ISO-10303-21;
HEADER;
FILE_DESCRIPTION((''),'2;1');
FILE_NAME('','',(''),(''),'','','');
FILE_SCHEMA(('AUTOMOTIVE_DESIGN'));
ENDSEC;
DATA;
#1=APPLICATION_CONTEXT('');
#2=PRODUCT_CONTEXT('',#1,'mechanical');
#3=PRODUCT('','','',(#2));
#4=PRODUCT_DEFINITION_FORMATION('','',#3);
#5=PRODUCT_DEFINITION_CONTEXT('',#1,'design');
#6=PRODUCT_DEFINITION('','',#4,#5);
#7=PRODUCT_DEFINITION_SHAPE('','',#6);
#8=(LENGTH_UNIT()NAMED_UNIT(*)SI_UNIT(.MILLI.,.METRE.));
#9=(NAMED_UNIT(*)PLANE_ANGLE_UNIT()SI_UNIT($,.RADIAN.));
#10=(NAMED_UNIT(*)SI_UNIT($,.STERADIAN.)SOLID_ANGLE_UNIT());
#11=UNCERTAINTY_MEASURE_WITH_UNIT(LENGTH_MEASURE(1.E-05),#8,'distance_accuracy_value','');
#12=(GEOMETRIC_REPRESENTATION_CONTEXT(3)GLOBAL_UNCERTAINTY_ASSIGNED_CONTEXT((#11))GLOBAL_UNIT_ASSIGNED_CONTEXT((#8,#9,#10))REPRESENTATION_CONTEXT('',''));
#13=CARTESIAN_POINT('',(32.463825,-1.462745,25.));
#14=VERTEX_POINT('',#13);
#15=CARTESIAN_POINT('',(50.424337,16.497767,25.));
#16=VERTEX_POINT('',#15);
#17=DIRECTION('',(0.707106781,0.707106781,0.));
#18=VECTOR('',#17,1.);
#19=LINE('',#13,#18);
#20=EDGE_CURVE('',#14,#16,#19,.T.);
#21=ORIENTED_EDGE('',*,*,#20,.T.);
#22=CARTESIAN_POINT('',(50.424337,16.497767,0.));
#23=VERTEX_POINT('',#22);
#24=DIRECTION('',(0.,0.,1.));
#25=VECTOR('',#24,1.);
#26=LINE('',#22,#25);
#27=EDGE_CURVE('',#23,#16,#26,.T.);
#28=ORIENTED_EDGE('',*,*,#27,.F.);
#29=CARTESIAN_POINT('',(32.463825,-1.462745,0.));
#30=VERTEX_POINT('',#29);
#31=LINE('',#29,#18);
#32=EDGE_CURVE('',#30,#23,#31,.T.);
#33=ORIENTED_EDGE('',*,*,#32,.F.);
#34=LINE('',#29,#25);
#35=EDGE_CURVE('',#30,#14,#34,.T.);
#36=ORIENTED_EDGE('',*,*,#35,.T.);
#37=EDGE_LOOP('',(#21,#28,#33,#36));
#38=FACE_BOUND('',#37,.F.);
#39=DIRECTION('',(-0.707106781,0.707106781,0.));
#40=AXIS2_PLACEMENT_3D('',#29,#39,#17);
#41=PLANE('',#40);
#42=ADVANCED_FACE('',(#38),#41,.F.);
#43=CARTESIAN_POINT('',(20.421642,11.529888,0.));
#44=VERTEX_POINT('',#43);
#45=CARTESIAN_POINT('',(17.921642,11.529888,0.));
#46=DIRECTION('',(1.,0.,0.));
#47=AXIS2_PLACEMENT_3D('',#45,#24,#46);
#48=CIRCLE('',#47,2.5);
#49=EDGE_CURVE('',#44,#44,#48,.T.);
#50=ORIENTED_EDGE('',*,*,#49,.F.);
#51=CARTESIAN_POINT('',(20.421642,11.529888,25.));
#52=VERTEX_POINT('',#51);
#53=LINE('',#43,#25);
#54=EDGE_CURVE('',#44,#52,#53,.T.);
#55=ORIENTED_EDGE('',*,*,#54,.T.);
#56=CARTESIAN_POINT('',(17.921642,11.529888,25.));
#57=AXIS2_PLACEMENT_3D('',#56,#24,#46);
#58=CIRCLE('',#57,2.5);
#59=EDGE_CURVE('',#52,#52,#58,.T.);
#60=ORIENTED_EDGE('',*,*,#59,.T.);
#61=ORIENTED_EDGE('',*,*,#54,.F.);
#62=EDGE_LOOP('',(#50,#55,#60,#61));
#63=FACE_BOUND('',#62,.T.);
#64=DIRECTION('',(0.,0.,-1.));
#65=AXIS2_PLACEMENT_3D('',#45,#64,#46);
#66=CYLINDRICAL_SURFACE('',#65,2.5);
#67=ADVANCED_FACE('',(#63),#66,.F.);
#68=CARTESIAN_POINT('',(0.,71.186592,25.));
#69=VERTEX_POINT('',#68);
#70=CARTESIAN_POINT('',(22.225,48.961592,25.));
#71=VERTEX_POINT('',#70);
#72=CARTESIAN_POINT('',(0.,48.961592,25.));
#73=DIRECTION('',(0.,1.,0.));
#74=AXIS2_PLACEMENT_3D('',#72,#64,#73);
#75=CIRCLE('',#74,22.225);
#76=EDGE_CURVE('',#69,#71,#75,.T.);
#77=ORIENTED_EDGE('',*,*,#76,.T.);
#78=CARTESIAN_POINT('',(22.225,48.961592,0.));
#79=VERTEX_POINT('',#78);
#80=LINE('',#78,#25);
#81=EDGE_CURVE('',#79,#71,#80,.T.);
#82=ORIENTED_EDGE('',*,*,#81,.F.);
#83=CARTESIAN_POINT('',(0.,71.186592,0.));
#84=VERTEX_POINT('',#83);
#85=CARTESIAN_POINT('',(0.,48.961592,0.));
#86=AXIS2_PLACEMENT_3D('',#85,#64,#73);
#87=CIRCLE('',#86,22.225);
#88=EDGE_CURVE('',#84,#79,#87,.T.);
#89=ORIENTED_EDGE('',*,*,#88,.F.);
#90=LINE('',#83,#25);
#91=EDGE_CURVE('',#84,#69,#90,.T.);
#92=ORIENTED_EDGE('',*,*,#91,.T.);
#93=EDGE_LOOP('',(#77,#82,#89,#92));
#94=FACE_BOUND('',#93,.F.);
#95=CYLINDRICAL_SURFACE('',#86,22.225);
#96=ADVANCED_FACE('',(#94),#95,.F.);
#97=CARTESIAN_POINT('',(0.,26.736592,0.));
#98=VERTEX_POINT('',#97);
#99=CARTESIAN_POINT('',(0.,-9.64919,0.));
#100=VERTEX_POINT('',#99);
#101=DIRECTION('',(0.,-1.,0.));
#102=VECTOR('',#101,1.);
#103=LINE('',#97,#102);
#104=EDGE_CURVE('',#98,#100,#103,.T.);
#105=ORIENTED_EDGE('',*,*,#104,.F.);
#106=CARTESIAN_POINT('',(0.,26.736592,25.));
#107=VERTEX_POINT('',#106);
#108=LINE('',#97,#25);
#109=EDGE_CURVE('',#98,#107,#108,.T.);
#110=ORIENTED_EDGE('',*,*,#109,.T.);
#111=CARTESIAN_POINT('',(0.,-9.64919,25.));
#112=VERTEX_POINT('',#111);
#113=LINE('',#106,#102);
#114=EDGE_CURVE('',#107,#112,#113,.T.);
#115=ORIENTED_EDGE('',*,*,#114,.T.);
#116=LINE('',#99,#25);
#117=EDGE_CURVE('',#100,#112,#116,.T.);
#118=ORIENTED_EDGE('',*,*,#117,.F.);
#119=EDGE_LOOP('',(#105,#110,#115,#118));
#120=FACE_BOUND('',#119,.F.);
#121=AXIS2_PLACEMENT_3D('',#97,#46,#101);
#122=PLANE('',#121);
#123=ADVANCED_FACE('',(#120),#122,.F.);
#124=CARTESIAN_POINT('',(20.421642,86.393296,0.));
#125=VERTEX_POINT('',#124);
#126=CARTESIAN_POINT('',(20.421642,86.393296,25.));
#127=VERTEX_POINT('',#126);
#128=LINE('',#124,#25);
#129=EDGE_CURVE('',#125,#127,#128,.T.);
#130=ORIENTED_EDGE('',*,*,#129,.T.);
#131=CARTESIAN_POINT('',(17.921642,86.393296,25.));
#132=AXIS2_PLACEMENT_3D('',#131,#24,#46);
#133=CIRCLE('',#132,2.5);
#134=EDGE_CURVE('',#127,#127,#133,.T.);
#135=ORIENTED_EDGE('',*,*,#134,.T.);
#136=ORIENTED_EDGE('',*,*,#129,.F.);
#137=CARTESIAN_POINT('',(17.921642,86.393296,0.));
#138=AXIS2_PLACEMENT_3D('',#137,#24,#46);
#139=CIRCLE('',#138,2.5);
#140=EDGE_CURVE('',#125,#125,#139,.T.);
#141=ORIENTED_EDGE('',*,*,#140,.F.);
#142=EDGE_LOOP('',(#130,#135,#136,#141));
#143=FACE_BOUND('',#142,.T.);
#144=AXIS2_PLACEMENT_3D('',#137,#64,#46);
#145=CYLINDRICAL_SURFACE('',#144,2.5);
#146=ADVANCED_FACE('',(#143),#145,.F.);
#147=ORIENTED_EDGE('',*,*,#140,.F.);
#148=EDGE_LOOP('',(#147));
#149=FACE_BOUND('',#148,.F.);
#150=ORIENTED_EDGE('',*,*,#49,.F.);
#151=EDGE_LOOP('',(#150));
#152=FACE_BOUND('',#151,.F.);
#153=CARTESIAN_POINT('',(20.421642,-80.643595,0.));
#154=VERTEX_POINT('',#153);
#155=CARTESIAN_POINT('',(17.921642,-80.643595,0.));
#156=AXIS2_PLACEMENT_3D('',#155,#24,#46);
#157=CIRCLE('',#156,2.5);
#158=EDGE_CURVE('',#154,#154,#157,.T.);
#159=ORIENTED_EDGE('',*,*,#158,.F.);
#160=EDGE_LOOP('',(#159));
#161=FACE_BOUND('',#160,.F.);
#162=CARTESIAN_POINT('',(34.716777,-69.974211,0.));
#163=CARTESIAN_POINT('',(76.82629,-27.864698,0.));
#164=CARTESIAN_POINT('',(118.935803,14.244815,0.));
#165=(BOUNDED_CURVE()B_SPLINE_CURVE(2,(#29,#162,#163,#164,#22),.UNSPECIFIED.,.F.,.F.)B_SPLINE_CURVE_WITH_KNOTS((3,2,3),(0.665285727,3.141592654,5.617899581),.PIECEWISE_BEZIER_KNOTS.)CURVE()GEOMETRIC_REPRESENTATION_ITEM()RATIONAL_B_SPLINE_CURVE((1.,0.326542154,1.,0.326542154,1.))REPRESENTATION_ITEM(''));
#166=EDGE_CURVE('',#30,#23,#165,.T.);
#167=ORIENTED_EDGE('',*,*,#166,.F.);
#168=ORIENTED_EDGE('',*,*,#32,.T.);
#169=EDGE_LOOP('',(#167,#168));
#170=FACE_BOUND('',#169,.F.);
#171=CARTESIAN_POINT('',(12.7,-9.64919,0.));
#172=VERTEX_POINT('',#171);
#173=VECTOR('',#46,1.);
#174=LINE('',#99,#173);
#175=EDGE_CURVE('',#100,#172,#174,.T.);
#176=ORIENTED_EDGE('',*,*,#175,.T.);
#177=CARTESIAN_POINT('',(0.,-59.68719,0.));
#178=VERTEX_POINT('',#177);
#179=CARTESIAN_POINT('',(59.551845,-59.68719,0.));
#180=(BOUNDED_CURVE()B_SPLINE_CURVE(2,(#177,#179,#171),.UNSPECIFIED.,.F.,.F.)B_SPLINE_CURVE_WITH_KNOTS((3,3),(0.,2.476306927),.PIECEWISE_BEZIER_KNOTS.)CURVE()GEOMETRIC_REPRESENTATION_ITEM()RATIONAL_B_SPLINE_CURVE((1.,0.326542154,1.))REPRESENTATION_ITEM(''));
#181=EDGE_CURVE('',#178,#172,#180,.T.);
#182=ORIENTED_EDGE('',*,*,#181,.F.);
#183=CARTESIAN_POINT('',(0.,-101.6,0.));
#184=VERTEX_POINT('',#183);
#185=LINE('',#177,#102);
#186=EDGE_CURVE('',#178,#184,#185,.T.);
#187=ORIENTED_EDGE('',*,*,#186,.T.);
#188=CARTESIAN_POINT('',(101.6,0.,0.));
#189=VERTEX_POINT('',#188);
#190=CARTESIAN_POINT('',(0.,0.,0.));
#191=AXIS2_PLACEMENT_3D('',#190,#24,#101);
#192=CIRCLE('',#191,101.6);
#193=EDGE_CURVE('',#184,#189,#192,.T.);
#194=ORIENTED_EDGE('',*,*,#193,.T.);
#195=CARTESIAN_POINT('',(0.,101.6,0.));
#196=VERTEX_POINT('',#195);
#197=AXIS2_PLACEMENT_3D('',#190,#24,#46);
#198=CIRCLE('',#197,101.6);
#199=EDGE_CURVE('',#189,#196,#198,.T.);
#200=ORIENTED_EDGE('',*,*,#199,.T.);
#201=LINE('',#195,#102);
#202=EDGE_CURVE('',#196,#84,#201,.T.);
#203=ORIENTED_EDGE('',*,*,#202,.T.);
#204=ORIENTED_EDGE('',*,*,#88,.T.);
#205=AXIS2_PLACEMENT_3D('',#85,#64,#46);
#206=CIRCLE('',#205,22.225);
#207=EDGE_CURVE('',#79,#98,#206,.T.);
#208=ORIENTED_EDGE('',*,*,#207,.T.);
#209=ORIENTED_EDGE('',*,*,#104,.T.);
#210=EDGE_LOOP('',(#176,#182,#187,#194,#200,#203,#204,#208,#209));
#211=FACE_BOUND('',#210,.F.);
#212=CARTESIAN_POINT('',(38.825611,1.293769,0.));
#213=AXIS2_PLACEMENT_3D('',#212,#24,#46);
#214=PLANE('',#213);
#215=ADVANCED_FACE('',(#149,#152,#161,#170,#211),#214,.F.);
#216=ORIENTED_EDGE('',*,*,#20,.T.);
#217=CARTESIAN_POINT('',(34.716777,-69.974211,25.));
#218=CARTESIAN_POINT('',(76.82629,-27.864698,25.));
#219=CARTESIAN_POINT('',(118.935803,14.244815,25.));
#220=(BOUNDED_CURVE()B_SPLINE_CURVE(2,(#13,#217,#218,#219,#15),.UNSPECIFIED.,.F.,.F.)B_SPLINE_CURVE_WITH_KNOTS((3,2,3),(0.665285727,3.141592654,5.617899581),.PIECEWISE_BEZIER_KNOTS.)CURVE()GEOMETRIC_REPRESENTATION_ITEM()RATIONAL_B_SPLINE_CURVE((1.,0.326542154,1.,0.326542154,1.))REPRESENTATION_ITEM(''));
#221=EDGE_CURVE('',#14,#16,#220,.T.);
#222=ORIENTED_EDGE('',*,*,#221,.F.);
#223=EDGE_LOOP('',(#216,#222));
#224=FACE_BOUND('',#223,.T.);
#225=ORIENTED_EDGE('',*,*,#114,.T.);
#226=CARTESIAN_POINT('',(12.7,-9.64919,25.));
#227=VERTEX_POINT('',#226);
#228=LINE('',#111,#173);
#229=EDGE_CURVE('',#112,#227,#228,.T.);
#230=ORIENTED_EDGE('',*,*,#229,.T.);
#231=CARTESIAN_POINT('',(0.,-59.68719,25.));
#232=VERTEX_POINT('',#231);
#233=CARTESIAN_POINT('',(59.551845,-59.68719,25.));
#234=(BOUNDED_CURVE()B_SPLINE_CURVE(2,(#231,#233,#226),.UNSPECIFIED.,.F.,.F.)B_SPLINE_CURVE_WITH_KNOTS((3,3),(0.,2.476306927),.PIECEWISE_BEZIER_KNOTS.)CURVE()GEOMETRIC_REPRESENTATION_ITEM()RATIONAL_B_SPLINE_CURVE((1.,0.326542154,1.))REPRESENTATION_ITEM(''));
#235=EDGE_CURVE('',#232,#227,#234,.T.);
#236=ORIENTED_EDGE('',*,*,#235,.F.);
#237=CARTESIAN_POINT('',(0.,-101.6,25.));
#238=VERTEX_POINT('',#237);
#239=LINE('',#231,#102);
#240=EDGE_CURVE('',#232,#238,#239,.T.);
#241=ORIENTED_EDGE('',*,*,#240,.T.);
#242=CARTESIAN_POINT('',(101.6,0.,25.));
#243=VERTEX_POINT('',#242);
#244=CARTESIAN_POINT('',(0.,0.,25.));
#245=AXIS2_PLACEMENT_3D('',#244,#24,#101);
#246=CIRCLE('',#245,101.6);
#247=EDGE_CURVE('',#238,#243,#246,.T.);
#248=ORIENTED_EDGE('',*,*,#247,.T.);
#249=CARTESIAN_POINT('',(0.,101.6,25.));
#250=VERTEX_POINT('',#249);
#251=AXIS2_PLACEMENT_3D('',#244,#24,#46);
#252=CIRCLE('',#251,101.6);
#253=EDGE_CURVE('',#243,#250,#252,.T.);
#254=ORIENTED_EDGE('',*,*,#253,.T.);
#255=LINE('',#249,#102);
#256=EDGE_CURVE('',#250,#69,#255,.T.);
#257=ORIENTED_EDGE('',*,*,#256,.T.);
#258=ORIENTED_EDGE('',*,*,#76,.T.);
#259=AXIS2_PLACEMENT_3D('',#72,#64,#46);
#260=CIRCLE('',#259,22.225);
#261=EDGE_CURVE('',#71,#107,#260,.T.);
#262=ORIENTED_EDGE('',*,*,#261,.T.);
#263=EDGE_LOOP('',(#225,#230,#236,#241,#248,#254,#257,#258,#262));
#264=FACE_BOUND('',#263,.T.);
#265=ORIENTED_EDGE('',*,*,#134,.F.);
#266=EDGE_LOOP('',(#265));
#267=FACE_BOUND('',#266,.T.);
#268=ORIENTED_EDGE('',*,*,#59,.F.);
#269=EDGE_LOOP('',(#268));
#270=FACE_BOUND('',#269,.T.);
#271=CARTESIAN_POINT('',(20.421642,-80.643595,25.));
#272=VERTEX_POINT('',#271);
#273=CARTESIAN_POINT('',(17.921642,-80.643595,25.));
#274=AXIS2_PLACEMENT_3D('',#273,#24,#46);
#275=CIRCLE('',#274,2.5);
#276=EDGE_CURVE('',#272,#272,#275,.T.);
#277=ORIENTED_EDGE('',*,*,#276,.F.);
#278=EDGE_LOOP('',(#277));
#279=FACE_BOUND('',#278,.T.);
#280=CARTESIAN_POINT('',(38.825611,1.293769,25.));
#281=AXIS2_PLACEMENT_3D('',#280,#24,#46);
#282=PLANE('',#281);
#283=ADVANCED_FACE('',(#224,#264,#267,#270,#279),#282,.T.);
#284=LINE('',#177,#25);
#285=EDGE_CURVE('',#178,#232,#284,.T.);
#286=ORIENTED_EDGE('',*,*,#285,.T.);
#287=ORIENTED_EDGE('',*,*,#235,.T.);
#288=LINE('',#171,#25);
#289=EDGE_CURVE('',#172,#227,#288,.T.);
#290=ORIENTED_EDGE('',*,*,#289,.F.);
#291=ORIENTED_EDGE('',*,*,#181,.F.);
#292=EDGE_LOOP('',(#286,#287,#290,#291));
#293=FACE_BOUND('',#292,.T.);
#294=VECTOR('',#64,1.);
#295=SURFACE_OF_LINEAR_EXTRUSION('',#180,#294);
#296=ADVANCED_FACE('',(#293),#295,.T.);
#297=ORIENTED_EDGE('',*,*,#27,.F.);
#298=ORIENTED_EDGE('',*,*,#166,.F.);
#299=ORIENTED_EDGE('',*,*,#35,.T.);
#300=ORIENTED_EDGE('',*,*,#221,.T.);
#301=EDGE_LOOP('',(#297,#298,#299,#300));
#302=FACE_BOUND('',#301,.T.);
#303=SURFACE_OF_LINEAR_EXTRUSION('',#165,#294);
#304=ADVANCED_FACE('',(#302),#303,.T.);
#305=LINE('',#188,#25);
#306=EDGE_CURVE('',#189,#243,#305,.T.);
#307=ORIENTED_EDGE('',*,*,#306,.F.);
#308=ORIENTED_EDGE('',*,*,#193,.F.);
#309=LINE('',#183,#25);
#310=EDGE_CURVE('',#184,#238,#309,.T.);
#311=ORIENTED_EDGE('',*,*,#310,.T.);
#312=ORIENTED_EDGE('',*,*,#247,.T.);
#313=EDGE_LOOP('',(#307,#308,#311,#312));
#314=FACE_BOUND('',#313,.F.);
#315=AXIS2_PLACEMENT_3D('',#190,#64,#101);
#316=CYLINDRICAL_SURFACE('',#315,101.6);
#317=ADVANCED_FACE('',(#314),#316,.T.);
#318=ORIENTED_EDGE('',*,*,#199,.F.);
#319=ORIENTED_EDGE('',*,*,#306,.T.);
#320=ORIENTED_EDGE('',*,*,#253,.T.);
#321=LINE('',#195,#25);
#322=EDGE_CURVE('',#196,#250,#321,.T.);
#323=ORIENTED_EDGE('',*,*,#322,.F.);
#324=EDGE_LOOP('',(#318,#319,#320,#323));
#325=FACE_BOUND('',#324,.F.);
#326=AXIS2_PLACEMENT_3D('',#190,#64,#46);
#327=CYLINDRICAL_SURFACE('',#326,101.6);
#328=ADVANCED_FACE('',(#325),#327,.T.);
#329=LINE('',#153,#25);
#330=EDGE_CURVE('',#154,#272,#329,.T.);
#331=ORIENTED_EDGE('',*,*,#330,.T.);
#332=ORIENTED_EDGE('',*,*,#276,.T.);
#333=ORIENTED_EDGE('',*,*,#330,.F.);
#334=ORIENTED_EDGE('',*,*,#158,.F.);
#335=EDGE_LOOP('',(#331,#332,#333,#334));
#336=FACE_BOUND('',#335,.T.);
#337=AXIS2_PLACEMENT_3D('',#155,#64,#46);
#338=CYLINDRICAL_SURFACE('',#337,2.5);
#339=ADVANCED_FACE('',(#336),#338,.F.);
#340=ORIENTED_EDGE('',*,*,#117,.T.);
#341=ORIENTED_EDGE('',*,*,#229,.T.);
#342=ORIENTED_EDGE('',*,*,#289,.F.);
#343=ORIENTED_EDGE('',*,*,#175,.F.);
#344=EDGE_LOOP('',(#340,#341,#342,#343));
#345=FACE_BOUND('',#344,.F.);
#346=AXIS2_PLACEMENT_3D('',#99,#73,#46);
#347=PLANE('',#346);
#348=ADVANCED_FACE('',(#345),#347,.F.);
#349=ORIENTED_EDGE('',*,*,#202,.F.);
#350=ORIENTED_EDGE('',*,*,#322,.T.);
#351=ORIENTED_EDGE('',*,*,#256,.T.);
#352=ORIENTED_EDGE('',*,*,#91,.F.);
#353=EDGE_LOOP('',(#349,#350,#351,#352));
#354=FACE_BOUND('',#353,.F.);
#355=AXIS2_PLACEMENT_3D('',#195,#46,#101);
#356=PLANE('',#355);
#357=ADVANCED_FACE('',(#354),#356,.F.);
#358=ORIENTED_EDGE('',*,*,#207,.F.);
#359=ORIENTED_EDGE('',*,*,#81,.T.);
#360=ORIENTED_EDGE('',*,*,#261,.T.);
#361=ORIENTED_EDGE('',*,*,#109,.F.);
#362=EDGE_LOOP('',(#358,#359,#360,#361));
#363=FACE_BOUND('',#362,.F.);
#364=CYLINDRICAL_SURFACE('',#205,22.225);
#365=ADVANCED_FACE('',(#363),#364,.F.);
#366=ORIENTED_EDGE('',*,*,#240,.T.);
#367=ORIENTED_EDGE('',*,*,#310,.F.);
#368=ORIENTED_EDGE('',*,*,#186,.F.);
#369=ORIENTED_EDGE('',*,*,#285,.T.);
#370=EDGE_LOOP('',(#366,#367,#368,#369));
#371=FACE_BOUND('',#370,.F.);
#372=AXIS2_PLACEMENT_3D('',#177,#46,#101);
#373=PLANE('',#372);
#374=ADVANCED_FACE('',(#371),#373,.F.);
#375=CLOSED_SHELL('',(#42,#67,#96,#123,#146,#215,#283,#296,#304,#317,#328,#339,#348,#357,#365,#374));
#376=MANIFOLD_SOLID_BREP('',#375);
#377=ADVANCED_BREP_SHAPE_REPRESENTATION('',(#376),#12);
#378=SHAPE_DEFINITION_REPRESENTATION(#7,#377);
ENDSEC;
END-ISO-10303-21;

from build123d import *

# Parameters (mm, degrees)
F0_R     = 2.5
F1_DEPTH = 25


with BuildPart() as f1:
    # F0 (on Top) → F1 (new body)
    with BuildSketch(Plane.XY):
        with BuildLine():
            ThreePointArc((0, -101.6), (71.8420489686, -71.8420489686), (101.6, 0))
            ThreePointArc((101.6, 0), (71.8420489686, 71.8420489686), (0, 101.6))
            Line((0, 101.6), (0, 71.1865920172))
            ThreePointArc((0, 71.1865920172), (15.7154482119, 64.6770402291), (22.225, 48.9615920172))
            ThreePointArc((22.225, 48.9615920172), (15.7154482119, 33.2461438053), (0, 26.7365920172))
            Line((0, 26.7365920172), (0, -3.6768159656))
            add(Edge.make_bspline(
                [(12.7, -9.6491897187), (7.1079154509, -3.6768159656), (0, -3.6768159656)],
                knots=[2.476306927, 2.476306927, 2.476306927, 3.1415926536, 3.1415926536, 3.1415926536], degree=2, weights=[1, 0.9451826392, 1]))
            add(Edge.make_bspline(
                [(0, -59.6871897187), (59.5518445491, -59.6871897187), (12.7, -9.6491897187)],
                knots=[0, 0, 0, 2.476306927, 2.476306927, 2.476306927], degree=2, weights=[1, 0.3265421544, 1]))
            Line((0, -59.6871897187), (0, -101.6))
        make_face()
        with Locations((17.9216420267, -80.6435948594)):
            Circle(F0_R, mode=Mode.SUBTRACT)
        with BuildLine():
            add(Edge.make_bspline(
                [(32.463825095, -1.46274532), (34.7167772203, -69.9742114288), (76.8262903331, -27.8646983159), (118.9358034459, 14.2448147969), (50.4243373372, 16.4977669222)],
                knots=[0.6652857266, 0.6652857266, 0.6652857266, 3.1415926536, 3.1415926536, 5.6178995806, 5.6178995806, 5.6178995806], degree=2, weights=[1, 0.3265421544, 1, 0.3265421544, 1]))
            add(Edge.make_bspline(
                [(50.4243373372, 16.4977669222), (31.8531235898, 17.1084684274), (32.463825095, -1.46274532)],
                knots=[5.6178995806, 5.6178995806, 5.6178995806, 6.9484710338, 6.9484710338, 6.9484710338], degree=2, weights=[1, 0.7867404428, 1]))
        make_face(mode=Mode.SUBTRACT)
        with Locations((17.9216420267, 11.5298880258)):
            Circle(F0_R, mode=Mode.SUBTRACT)
        with Locations((17.9216420267, 86.3932960086)):
            Circle(F0_R, mode=Mode.SUBTRACT)
        with BuildLine():
            Line((0, -3.6768159656), (0, -9.6491897187))
            Line((0, -9.6491897187), (12.7, -9.6491897187))
            add(Edge.make_bspline(
                [(12.7, -9.6491897187), (7.1079154509, -3.6768159656), (0, -3.6768159656)],
                knots=[2.476306927, 2.476306927, 2.476306927, 3.1415926536, 3.1415926536, 3.1415926536], degree=2, weights=[1, 0.9451826392, 1]))
        make_face()
        with BuildLine():
            add(Edge.make_bspline(
                [(50.4243373372, 16.4977669222), (31.8531235898, 17.1084684274), (32.463825095, -1.46274532)],
                knots=[5.6178995806, 5.6178995806, 5.6178995806, 6.9484710338, 6.9484710338, 6.9484710338], degree=2, weights=[1, 0.7867404428, 1]))
            Line((32.463825095, -1.46274532), (50.4243373372, 16.4977669222))
        make_face()
    extrude(amount=F1_DEPTH)


solid = f1.part
